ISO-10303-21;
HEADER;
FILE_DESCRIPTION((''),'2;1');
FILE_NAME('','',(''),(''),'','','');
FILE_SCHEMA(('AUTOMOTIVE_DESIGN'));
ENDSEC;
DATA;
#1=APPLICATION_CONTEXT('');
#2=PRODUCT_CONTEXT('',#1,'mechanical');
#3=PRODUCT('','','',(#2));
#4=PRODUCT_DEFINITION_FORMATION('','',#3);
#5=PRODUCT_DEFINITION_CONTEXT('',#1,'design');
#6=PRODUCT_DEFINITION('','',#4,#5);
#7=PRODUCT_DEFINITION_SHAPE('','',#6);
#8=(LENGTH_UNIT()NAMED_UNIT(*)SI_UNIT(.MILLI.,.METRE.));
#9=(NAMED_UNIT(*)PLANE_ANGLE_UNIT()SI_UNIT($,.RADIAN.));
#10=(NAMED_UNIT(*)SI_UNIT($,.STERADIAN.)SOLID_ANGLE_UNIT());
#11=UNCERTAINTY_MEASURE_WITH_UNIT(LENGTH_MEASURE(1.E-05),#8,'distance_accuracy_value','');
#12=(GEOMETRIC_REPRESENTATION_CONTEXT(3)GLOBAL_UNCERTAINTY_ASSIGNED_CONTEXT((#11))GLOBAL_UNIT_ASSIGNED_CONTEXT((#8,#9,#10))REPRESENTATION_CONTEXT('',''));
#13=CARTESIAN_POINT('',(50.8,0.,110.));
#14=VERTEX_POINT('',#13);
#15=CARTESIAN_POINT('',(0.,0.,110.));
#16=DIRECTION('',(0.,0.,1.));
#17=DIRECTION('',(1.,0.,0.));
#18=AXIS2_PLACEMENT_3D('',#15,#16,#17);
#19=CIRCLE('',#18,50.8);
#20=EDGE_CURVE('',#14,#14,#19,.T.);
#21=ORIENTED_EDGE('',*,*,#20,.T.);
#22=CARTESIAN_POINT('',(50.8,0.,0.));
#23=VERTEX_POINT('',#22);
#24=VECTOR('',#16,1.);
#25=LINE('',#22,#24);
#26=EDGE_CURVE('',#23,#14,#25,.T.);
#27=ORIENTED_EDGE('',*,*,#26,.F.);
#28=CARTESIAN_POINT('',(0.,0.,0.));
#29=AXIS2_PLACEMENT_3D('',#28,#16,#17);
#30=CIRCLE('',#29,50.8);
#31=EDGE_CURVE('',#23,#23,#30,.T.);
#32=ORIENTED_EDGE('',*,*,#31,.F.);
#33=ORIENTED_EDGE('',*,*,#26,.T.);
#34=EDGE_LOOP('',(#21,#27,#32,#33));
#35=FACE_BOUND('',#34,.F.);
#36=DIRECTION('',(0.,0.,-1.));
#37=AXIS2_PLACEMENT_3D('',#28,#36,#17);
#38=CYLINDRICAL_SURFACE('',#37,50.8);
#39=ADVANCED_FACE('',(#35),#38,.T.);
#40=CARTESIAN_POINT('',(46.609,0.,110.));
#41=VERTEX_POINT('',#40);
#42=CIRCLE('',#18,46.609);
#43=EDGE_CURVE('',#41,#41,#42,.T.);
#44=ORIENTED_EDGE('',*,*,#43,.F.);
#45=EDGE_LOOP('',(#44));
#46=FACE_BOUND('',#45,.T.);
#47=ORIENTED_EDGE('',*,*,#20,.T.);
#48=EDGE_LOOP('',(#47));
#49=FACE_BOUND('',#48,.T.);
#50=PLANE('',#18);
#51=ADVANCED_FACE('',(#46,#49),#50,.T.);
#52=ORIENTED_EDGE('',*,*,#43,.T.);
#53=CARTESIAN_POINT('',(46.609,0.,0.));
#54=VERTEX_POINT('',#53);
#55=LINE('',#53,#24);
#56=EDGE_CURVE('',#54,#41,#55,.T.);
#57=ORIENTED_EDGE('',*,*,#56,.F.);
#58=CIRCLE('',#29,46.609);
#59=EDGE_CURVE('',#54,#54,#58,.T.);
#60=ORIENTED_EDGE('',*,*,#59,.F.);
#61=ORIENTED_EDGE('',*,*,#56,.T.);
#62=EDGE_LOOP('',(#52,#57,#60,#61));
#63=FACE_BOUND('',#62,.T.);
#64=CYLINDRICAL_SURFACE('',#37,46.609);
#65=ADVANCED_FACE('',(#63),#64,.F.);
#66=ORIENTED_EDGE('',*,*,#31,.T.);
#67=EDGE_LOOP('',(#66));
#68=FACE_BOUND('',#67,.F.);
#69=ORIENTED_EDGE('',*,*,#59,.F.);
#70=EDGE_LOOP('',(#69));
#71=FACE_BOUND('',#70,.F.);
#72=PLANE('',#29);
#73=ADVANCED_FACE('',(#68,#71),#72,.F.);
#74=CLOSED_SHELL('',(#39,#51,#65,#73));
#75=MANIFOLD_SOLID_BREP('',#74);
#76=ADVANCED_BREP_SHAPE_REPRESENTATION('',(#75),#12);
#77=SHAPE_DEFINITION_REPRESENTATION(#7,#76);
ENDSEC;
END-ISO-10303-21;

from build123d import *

# Parameters (mm, degrees)
F0_R     = 50.8
F0_R_2   = 46.609
F1_DEPTH = 110


with BuildPart() as f1:
    # F0 (on Top) → F1 (new body)
    with BuildSketch(Plane.XY):
        Circle(F0_R)
        Circle(F0_R_2, mode=Mode.SUBTRACT)
    extrude(amount=F1_DEPTH)


solid = f1.part
